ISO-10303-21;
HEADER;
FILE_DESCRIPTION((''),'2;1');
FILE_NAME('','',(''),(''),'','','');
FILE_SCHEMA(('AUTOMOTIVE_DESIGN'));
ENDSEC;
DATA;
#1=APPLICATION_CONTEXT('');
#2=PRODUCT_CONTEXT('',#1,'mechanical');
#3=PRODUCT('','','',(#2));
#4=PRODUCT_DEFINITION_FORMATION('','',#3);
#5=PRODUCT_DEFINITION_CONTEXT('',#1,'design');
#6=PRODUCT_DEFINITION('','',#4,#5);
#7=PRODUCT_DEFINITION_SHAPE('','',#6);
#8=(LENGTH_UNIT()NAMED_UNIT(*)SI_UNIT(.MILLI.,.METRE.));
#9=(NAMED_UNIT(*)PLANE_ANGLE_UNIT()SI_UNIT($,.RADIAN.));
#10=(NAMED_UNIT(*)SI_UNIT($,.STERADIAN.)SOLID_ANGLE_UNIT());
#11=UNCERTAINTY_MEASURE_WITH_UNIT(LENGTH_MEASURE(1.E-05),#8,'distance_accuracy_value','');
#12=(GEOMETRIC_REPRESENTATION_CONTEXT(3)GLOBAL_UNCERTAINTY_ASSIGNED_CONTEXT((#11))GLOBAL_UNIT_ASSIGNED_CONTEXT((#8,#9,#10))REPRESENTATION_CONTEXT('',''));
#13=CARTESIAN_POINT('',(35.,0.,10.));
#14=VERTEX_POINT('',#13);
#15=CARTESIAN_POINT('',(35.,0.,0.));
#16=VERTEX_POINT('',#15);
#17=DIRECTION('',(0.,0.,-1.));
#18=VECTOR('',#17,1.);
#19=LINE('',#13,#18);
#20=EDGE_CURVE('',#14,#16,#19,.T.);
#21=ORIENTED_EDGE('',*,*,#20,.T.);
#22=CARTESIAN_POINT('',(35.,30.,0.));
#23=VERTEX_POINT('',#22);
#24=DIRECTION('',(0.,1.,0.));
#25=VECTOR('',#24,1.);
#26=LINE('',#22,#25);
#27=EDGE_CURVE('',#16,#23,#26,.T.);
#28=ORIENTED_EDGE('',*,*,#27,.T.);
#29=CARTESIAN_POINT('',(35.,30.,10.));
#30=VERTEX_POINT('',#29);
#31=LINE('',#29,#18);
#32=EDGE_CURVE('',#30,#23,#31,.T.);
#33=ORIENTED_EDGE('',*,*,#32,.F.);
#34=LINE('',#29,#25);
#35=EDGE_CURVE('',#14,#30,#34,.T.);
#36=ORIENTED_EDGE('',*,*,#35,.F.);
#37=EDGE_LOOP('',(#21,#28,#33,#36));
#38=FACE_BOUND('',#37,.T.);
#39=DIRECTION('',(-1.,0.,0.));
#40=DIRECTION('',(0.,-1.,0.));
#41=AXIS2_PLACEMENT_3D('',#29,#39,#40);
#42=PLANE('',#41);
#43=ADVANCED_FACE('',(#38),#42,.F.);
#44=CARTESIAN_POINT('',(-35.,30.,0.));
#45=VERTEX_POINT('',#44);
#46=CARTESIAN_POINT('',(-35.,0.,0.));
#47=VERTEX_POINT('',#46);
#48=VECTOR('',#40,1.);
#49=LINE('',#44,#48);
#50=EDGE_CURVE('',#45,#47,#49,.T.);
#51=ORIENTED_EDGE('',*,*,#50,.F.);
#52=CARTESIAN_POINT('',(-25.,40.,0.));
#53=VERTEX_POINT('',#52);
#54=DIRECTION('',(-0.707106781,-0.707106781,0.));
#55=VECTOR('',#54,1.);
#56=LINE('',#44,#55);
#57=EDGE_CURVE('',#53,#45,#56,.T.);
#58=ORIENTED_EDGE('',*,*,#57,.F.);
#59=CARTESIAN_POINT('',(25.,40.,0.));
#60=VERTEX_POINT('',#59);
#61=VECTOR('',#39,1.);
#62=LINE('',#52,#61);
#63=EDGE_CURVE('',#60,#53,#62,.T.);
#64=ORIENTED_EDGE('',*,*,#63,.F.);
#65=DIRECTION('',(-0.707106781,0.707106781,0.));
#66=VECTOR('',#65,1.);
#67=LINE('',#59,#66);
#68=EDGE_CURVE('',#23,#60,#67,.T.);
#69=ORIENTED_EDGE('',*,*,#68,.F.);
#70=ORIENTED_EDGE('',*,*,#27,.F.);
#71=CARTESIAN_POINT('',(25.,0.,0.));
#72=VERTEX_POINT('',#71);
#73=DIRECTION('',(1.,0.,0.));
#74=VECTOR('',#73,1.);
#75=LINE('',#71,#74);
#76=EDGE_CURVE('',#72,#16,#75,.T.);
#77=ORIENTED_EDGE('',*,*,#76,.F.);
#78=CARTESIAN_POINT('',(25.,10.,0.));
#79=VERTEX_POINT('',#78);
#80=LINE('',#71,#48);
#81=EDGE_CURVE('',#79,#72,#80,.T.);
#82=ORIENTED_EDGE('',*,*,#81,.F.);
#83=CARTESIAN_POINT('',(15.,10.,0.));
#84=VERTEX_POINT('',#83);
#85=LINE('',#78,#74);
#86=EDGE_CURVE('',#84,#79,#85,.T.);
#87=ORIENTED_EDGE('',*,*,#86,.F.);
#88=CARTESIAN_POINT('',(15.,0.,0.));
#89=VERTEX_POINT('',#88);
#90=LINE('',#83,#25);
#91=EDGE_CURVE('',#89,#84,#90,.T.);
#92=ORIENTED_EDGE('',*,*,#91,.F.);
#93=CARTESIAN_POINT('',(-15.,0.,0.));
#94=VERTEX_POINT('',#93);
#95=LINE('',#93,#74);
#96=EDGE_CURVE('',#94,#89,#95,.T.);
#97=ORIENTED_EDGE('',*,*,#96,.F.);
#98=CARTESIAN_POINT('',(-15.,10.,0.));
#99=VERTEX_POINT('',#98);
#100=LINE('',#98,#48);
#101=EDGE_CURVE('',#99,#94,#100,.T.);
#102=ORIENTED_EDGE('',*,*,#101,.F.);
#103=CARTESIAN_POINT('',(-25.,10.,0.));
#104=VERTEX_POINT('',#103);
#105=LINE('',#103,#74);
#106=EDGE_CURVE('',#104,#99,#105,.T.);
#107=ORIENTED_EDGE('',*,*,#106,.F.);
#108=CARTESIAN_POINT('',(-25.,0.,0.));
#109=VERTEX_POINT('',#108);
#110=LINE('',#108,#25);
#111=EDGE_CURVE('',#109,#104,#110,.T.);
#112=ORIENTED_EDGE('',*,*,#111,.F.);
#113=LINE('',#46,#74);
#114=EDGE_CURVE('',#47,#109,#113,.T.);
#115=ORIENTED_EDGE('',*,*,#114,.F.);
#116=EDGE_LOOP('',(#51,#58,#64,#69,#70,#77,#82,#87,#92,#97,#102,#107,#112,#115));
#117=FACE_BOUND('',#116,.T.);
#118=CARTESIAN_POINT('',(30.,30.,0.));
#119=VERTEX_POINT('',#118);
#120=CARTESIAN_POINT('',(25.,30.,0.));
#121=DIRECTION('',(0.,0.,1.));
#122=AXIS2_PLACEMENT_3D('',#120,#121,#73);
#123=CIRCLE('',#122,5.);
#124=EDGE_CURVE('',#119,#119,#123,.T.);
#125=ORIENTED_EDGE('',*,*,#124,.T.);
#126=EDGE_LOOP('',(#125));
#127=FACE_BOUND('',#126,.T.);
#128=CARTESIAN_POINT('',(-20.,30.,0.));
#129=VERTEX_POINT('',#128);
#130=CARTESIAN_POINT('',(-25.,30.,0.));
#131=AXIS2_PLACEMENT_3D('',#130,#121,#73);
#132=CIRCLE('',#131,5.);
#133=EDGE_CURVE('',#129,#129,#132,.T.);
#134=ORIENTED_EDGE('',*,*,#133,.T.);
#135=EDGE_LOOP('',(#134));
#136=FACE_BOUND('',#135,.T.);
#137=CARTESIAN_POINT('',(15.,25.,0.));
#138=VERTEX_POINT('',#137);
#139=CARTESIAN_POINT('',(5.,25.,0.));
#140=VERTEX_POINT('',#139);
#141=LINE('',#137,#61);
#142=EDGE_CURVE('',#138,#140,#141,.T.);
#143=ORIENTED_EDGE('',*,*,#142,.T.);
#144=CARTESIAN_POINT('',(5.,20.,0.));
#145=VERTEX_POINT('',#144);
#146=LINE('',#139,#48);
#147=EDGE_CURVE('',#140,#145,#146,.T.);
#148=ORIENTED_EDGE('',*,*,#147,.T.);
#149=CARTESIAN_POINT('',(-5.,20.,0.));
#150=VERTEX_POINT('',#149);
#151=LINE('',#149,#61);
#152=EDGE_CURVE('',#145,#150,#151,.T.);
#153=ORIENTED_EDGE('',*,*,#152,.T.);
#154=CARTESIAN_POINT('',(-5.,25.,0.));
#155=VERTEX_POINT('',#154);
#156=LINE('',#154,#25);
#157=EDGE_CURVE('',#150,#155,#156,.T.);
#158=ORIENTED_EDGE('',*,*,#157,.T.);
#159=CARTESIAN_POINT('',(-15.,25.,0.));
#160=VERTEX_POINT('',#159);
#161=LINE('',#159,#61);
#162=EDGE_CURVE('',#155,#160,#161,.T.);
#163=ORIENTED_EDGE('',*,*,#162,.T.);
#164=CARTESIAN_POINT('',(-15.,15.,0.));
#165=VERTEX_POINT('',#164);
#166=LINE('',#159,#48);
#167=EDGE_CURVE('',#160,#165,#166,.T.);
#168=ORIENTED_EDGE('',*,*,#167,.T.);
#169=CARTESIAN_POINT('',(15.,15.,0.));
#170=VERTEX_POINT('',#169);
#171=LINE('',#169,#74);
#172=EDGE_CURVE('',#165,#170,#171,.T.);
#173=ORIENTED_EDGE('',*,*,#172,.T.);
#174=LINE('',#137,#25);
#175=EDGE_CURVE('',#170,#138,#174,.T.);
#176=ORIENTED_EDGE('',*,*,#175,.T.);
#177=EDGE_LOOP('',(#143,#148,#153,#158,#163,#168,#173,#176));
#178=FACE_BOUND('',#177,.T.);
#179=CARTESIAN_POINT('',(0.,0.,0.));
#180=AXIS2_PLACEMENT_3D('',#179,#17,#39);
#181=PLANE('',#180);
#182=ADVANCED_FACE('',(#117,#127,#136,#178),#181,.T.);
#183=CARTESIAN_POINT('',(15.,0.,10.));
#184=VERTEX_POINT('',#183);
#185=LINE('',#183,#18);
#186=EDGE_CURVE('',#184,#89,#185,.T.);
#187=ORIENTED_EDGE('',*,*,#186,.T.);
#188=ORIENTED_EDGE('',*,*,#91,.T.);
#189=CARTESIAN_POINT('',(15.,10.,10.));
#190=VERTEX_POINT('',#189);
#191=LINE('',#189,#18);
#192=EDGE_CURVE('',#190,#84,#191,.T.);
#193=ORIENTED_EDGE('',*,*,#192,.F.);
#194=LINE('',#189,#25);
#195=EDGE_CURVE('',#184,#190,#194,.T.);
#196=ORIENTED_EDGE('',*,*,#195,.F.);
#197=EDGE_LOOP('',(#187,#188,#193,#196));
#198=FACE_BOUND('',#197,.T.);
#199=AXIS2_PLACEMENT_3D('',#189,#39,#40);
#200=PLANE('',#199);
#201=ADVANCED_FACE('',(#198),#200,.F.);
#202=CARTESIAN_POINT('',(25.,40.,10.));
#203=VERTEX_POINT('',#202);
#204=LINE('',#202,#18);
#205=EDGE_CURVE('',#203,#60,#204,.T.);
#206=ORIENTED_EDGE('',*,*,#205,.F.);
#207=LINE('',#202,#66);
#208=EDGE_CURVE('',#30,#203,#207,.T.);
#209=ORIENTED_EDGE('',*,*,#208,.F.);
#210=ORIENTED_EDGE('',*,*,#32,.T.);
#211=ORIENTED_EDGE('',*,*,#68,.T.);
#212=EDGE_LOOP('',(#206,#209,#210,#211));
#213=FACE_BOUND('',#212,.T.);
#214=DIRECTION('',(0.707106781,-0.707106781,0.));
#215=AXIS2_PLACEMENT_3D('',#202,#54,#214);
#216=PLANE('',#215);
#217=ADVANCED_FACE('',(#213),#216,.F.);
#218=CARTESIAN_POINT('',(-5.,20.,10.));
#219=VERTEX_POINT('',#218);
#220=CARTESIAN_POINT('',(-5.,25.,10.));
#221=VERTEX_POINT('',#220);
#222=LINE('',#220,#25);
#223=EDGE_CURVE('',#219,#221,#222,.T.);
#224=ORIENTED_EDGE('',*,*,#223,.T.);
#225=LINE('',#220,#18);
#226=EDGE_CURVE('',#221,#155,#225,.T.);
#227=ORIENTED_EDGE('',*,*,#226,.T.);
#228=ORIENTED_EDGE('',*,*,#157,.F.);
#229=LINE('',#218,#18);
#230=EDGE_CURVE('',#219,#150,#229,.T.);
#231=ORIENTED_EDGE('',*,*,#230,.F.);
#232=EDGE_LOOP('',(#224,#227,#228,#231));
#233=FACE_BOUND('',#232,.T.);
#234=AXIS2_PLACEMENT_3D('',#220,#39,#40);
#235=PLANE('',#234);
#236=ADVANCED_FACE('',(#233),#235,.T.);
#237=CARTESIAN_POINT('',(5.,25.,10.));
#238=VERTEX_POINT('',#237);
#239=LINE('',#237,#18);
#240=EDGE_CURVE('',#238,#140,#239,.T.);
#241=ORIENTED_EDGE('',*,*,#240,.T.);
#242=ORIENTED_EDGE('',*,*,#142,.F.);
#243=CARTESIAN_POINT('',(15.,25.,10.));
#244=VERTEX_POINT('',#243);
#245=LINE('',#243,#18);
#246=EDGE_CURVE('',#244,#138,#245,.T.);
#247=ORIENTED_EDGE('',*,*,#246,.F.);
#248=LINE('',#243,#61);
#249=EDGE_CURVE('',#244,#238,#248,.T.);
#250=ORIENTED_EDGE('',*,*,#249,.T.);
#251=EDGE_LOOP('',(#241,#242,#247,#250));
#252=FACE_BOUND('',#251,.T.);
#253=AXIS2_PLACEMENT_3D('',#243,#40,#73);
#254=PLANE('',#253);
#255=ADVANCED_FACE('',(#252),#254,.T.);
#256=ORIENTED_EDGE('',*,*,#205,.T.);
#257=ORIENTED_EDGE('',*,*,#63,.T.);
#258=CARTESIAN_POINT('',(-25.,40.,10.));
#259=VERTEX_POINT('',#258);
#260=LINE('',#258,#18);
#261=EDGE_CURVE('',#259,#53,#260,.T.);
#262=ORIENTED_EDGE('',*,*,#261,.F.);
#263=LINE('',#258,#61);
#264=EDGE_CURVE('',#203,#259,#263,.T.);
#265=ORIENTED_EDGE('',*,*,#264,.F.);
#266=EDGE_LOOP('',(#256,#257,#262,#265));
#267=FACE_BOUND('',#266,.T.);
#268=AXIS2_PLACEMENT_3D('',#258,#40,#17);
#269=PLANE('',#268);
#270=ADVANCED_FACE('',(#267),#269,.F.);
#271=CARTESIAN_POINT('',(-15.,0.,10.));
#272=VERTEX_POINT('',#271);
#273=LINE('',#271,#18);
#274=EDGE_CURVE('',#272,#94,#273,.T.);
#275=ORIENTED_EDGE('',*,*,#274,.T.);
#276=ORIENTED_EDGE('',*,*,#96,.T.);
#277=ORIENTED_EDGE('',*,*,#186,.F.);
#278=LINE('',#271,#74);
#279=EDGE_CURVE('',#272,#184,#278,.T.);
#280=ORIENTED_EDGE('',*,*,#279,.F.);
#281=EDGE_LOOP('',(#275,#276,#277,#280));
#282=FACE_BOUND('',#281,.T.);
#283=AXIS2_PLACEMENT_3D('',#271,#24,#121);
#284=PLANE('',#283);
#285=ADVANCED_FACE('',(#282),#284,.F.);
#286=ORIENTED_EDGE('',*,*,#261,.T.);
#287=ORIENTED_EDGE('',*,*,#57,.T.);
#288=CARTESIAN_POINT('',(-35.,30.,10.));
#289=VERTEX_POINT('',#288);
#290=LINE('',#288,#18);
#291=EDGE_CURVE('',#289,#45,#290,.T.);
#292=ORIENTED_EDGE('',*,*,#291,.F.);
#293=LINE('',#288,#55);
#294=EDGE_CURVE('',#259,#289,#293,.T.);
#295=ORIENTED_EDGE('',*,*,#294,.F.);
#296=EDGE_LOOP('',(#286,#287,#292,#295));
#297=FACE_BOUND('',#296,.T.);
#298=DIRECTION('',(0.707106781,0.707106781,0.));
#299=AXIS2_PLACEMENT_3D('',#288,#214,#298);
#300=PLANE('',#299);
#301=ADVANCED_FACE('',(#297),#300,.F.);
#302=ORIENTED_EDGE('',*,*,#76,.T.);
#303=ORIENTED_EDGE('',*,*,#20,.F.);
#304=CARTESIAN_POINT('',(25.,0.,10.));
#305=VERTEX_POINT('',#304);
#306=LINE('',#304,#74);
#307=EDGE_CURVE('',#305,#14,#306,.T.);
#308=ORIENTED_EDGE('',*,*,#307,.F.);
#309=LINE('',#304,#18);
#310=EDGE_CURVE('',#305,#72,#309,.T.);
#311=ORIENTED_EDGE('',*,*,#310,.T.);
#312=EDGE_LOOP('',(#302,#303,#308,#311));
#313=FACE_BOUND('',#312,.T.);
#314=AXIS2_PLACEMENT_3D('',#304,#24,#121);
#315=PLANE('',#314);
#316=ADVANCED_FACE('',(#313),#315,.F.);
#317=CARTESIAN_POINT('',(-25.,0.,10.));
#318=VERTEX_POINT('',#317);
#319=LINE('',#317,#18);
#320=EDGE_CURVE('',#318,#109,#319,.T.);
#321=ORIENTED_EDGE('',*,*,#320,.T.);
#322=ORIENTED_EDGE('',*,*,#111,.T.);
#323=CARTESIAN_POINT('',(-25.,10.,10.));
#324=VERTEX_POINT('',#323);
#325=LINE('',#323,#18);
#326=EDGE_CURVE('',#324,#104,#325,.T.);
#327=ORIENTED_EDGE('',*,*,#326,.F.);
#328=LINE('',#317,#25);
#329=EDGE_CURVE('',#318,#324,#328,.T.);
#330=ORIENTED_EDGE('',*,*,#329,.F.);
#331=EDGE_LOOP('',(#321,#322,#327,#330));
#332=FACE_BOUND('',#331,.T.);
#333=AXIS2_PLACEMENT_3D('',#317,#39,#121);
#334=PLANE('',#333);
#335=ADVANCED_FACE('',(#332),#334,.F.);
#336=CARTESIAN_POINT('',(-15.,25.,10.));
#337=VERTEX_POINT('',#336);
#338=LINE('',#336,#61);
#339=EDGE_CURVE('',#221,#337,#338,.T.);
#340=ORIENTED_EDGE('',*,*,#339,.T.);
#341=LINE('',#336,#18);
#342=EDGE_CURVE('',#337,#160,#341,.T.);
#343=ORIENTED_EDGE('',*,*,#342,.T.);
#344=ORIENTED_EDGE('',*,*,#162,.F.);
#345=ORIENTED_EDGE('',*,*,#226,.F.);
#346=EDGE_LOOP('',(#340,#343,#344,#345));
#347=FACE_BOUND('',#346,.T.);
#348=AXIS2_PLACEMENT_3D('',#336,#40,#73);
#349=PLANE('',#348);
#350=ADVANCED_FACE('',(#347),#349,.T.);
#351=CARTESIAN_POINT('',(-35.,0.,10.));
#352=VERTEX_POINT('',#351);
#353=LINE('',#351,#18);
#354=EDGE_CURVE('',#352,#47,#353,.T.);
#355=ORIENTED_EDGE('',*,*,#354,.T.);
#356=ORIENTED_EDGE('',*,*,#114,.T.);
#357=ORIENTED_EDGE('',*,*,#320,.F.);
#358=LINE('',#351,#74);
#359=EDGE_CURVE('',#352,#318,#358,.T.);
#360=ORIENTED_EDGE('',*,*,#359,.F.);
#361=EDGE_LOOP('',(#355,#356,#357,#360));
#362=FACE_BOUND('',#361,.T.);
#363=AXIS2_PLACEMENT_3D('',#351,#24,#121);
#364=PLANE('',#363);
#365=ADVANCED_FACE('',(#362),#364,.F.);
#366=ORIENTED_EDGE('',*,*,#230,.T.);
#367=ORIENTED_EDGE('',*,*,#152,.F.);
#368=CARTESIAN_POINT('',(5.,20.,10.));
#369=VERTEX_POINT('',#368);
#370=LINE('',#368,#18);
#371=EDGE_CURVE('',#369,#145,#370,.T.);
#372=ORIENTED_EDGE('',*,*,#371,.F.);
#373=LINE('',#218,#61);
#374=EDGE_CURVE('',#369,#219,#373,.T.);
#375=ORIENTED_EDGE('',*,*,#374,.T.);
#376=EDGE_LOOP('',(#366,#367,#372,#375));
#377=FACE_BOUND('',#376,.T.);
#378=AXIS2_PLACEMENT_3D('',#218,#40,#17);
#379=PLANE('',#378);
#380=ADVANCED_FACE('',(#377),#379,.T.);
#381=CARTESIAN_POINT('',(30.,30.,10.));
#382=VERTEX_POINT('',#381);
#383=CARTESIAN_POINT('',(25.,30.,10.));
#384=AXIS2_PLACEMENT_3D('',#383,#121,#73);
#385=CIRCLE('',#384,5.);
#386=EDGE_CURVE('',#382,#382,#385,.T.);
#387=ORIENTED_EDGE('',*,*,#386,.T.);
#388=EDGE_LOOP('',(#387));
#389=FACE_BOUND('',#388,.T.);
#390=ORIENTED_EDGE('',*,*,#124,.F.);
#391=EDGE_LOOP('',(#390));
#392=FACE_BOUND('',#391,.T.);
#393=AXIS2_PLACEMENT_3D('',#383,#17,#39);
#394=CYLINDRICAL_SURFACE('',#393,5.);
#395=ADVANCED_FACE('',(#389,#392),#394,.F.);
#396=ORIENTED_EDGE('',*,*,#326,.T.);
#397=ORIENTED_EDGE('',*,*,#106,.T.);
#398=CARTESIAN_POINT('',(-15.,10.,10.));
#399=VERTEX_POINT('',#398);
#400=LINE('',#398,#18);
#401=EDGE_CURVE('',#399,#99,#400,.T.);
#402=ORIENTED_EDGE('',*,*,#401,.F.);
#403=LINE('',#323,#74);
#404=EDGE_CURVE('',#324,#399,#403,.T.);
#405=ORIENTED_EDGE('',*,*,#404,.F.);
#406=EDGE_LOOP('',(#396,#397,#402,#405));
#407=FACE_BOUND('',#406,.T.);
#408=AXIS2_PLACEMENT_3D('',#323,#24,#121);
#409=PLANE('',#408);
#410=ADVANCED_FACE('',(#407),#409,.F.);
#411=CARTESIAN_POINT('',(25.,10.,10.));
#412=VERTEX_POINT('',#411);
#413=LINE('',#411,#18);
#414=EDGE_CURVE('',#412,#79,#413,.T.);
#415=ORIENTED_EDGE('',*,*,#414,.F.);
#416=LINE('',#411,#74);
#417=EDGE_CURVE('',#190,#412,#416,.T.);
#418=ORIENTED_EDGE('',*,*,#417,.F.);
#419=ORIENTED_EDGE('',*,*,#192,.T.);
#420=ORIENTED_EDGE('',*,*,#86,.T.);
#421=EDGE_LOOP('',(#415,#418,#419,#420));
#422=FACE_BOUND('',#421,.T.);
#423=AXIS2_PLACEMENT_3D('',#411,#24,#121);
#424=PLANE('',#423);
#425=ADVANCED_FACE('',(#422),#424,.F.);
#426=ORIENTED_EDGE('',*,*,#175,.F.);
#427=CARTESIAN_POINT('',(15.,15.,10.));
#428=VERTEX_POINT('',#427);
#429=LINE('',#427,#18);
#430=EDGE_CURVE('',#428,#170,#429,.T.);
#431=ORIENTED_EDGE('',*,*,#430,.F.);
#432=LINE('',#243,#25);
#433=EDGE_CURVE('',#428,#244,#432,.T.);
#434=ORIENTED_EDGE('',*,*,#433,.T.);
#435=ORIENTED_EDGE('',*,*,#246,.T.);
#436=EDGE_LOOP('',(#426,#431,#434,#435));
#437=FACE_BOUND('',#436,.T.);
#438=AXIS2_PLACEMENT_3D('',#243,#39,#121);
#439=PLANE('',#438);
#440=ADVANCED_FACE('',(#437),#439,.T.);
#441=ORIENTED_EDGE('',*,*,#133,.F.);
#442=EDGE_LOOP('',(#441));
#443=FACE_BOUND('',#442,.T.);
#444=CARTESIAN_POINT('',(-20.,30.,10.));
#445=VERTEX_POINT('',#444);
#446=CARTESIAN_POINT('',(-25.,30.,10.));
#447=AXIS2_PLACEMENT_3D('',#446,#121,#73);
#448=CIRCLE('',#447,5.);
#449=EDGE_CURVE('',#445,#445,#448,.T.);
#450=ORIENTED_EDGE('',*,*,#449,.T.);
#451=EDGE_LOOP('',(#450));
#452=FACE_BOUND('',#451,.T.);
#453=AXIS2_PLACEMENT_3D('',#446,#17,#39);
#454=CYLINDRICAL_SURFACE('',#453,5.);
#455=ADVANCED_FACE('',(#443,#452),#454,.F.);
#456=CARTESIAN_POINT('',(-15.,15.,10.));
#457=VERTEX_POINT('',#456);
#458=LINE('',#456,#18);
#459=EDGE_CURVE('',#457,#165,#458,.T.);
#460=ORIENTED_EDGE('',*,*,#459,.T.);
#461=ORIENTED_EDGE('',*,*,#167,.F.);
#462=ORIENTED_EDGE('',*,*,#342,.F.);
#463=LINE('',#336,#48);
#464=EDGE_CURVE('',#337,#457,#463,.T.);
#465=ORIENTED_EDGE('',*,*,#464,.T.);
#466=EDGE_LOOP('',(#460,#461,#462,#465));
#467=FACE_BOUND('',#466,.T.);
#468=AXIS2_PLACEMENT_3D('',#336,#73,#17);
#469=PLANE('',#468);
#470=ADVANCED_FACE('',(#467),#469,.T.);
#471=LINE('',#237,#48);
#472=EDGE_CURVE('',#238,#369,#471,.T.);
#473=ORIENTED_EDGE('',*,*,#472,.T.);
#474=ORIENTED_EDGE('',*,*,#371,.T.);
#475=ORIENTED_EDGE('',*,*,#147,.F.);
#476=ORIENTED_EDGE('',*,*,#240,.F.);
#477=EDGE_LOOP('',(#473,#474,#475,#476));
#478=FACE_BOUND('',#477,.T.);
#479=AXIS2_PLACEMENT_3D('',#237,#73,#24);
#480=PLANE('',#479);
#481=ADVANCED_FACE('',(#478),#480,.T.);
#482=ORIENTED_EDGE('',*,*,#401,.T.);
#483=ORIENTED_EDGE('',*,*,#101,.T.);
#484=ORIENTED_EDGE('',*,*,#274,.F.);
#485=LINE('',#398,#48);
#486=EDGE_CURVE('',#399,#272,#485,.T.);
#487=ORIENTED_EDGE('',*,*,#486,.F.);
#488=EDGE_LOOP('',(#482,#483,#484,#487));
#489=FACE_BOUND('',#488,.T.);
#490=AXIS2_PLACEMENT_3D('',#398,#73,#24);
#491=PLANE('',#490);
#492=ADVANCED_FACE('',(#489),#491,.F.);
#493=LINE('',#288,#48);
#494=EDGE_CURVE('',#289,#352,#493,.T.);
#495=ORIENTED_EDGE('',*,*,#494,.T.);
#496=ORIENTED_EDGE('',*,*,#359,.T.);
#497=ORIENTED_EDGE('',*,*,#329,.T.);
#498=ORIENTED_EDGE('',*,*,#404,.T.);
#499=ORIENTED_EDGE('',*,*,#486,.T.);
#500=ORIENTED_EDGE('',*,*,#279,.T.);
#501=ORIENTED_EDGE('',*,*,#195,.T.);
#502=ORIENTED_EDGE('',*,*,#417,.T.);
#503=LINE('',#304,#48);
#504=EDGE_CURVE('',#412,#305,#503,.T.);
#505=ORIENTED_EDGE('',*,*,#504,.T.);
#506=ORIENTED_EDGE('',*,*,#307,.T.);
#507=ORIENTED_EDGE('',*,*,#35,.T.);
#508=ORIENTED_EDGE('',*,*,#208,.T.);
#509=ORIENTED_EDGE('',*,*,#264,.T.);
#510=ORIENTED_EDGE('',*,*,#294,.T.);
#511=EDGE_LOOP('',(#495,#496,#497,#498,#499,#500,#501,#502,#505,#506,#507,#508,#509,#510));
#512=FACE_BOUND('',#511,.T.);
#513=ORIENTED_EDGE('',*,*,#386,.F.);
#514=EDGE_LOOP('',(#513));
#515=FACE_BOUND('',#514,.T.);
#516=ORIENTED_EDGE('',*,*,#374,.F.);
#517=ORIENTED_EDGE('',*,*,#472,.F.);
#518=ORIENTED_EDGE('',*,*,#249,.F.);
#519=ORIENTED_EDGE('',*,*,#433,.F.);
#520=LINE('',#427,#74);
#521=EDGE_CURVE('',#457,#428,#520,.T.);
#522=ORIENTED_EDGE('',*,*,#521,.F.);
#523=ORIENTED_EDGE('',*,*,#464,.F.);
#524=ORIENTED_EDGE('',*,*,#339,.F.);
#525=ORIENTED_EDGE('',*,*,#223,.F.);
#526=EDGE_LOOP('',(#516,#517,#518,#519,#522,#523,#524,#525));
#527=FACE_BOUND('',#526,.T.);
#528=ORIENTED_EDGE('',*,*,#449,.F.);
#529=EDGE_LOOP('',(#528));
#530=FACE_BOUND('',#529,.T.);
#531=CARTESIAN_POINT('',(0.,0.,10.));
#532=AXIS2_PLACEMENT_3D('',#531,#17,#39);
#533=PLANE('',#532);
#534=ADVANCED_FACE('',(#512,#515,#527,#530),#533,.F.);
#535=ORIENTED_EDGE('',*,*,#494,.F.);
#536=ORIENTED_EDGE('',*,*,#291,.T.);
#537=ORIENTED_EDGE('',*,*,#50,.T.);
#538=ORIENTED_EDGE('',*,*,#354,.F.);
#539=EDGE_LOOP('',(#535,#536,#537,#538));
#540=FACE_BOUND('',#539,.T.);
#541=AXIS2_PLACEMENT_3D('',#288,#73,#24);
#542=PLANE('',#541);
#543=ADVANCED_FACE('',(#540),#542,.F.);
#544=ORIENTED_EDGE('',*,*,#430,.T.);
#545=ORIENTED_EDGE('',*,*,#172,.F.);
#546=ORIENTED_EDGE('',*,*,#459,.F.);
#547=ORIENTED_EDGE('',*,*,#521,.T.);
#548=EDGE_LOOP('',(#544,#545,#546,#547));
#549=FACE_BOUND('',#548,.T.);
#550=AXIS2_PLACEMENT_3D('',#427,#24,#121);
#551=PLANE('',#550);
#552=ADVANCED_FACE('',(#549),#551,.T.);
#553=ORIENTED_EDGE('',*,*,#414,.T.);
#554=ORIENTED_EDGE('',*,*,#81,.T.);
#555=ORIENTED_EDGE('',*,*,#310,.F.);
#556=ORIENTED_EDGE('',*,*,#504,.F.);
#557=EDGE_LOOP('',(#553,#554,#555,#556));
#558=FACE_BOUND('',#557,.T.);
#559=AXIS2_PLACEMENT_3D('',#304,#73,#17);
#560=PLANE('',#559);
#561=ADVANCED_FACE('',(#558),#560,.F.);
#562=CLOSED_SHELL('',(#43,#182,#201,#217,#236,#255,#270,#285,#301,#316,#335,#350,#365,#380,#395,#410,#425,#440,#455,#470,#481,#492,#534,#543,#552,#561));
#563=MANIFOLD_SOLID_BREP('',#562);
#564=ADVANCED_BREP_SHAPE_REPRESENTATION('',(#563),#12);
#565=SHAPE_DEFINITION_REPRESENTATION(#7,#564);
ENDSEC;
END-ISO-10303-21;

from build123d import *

# Parameters (mm, degrees)
SKETCH1_R           = 5
BOSS_EXTRUDE1_DEPTH = 10


with BuildPart() as part:
    # Sketch1 → Boss-Extrude1 (new body)
    with BuildSketch(Plane.XY):
        Polygon((-35, 30), (-25, 40), (25, 40), (35, 30), (35, 0), (25, 0), (25, 10), (15, 10), (15, 0), (-15, 0), (-15, 10), (-25, 10), (-25, 0), (-35, 0), align=None)
        with Locations((-25, 30)):
            Circle(SKETCH1_R, mode=Mode.SUBTRACT)
        with Locations((25, 30)):
            Circle(SKETCH1_R, mode=Mode.SUBTRACT)
        Polygon((15, 15), (-15, 15), (-15, 25), (-5, 25), (-5, 20), (5, 20), (5, 25), (15, 25), align=None, mode=Mode.SUBTRACT)
    extrude(amount=BOSS_EXTRUDE1_DEPTH)


solid = part.part
